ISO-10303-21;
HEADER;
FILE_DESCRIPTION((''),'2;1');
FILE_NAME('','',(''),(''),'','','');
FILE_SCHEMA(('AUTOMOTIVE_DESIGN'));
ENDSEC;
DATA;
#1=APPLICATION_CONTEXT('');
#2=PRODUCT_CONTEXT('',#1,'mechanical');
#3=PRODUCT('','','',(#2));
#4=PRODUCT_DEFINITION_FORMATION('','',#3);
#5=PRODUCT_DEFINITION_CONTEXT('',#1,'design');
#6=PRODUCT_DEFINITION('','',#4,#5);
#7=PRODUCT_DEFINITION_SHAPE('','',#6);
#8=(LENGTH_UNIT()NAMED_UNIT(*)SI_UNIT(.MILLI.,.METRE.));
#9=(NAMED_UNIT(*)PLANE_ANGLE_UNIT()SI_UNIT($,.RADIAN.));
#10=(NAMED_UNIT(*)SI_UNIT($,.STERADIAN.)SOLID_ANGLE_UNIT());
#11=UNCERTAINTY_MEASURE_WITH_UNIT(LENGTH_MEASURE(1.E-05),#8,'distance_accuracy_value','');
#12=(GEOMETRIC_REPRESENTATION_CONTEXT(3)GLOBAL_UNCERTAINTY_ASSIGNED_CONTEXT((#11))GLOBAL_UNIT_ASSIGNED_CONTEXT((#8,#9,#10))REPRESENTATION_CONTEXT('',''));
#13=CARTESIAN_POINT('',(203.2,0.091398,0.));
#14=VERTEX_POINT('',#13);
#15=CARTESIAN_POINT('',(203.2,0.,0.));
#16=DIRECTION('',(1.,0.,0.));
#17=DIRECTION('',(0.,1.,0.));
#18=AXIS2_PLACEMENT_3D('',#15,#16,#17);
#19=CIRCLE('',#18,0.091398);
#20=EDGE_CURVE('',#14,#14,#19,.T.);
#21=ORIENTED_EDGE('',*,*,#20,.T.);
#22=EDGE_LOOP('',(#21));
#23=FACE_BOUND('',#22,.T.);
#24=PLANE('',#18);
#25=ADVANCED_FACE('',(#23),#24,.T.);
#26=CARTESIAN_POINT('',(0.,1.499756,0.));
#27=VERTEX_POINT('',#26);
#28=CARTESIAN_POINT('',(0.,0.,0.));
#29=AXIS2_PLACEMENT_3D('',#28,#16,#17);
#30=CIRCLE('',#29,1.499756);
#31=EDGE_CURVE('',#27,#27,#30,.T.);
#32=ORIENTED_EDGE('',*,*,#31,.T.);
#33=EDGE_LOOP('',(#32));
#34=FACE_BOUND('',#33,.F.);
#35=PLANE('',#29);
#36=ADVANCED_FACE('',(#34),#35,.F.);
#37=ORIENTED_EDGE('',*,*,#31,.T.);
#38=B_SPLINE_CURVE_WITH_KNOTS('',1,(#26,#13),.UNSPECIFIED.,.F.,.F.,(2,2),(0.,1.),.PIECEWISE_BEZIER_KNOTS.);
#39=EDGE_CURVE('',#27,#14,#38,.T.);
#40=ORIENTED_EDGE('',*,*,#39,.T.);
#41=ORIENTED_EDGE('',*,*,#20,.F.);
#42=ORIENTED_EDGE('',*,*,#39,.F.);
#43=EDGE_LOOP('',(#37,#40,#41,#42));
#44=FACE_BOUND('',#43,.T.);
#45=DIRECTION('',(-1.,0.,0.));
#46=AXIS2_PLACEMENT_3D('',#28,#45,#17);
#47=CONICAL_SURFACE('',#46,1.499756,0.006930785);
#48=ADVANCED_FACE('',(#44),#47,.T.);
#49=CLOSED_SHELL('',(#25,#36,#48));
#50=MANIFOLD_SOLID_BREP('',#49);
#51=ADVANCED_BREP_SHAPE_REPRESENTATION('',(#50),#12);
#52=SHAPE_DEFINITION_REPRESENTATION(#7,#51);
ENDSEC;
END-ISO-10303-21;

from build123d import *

# Parameters (mm, degrees)
F0_R = 1.499756
F2_R = 0.091398


with BuildPart() as f3:
    # F0 (on Right) → F3 section 0
    with BuildSketch(Plane.YZ):
        Circle(F0_R)
    # F2 (on offset) → F3 section 1
    with BuildSketch(Plane.YZ.offset(203.2)):
        Circle(F2_R)
    loft()


solid = f3.part
